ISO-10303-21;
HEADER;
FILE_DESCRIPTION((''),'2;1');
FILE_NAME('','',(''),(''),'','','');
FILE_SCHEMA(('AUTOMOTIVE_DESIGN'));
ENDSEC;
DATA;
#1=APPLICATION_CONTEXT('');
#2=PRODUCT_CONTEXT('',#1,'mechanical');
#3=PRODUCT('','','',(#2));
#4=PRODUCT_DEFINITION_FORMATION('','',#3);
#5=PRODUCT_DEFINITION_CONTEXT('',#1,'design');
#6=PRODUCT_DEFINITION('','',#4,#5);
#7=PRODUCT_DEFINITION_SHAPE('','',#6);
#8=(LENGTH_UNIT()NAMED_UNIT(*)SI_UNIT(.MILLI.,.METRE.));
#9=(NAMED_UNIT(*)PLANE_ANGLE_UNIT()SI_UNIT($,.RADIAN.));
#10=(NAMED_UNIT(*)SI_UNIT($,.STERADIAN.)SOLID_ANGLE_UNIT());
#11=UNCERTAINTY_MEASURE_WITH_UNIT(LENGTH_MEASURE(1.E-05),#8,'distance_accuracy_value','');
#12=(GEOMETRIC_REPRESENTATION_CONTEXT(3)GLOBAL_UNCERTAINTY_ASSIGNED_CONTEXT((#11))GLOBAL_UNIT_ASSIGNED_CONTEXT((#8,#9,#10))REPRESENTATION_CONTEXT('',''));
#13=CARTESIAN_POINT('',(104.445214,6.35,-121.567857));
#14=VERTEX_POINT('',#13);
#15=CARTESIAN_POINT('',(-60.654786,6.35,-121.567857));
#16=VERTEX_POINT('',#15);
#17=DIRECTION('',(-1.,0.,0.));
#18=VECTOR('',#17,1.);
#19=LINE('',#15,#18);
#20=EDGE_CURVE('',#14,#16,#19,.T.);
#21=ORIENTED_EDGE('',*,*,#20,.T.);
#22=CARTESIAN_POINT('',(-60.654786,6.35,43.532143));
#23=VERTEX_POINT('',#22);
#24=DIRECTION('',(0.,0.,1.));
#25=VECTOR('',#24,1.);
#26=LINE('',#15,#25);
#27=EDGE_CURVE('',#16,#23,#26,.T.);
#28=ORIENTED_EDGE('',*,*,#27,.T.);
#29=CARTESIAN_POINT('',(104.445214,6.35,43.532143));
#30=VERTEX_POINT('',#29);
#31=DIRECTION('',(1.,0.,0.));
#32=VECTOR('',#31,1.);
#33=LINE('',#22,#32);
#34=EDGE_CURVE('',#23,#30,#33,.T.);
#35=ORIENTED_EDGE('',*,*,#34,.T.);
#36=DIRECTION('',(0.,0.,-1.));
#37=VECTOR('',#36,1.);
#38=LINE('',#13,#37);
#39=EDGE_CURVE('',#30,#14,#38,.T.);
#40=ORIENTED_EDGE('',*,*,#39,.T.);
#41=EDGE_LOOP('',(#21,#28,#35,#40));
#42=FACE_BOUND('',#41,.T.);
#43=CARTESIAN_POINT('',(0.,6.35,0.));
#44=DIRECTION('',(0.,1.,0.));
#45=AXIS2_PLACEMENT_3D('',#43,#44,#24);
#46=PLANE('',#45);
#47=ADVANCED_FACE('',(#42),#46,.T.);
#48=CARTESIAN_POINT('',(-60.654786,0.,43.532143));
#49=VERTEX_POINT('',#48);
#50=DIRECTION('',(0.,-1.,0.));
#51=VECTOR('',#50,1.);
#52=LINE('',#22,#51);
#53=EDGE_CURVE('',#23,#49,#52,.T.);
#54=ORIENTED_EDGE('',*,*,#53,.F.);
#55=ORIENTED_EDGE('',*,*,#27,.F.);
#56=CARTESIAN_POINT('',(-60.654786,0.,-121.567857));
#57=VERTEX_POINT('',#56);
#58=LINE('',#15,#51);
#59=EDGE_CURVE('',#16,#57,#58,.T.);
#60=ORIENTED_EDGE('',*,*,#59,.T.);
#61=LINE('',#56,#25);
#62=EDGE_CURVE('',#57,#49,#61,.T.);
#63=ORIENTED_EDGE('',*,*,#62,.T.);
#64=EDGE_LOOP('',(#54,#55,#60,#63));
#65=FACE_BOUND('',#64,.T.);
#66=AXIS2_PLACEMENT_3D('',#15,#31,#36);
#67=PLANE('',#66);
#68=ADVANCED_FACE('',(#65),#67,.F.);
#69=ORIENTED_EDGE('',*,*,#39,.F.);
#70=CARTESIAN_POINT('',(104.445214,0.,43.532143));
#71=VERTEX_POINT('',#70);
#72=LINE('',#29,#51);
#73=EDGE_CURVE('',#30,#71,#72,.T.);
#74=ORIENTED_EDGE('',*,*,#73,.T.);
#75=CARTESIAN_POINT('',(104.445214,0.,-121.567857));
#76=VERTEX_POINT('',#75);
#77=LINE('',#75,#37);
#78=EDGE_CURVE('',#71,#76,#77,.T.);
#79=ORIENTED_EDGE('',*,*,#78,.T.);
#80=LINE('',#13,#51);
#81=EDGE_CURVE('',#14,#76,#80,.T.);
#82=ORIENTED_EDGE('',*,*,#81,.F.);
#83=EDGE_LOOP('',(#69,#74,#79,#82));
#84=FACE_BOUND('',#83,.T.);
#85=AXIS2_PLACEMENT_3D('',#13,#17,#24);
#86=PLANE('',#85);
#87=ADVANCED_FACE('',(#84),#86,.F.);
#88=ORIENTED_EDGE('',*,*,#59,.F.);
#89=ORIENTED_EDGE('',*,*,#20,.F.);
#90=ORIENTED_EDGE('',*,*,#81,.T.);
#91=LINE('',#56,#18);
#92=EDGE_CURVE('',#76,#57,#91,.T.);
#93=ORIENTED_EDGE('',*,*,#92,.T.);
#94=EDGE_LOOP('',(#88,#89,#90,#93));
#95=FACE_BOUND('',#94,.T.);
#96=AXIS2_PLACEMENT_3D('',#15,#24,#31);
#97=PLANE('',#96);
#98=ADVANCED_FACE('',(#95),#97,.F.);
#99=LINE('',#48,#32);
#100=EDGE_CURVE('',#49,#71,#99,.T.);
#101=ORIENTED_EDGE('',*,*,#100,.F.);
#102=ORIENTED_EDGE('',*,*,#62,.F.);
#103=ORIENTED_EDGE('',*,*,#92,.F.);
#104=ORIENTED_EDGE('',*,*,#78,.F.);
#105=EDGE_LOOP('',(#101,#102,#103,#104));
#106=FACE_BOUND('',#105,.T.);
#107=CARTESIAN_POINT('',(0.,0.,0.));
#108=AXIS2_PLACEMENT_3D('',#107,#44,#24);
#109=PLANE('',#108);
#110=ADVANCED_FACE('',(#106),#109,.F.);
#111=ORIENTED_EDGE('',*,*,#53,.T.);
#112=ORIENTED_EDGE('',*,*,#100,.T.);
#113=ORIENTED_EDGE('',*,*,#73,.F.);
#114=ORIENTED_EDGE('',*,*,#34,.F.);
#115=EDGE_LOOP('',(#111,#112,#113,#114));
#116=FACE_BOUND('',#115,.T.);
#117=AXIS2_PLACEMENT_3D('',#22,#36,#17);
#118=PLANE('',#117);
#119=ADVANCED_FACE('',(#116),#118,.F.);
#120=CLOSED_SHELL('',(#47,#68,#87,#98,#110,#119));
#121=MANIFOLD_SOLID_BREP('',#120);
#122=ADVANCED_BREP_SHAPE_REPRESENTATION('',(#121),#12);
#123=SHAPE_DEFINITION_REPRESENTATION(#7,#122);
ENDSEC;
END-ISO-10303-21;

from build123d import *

# Parameters (mm, degrees)
SKETCH1_W           = 165.1
SKETCH1_H           = 165.1
BOSS_EXTRUDE1_DEPTH = 6.35


with BuildPart() as part:
    # Sketch1 → Boss-Extrude1 (new body)
    with BuildSketch(Plane(origin=(0, 0, 0), x_dir=(1, 0, 0), z_dir=(0, 1, 0))):
        with Locations((21.895214286, 39.017857143)):
            Rectangle(SKETCH1_W, SKETCH1_H)
    extrude(amount=BOSS_EXTRUDE1_DEPTH)


solid = part.part
